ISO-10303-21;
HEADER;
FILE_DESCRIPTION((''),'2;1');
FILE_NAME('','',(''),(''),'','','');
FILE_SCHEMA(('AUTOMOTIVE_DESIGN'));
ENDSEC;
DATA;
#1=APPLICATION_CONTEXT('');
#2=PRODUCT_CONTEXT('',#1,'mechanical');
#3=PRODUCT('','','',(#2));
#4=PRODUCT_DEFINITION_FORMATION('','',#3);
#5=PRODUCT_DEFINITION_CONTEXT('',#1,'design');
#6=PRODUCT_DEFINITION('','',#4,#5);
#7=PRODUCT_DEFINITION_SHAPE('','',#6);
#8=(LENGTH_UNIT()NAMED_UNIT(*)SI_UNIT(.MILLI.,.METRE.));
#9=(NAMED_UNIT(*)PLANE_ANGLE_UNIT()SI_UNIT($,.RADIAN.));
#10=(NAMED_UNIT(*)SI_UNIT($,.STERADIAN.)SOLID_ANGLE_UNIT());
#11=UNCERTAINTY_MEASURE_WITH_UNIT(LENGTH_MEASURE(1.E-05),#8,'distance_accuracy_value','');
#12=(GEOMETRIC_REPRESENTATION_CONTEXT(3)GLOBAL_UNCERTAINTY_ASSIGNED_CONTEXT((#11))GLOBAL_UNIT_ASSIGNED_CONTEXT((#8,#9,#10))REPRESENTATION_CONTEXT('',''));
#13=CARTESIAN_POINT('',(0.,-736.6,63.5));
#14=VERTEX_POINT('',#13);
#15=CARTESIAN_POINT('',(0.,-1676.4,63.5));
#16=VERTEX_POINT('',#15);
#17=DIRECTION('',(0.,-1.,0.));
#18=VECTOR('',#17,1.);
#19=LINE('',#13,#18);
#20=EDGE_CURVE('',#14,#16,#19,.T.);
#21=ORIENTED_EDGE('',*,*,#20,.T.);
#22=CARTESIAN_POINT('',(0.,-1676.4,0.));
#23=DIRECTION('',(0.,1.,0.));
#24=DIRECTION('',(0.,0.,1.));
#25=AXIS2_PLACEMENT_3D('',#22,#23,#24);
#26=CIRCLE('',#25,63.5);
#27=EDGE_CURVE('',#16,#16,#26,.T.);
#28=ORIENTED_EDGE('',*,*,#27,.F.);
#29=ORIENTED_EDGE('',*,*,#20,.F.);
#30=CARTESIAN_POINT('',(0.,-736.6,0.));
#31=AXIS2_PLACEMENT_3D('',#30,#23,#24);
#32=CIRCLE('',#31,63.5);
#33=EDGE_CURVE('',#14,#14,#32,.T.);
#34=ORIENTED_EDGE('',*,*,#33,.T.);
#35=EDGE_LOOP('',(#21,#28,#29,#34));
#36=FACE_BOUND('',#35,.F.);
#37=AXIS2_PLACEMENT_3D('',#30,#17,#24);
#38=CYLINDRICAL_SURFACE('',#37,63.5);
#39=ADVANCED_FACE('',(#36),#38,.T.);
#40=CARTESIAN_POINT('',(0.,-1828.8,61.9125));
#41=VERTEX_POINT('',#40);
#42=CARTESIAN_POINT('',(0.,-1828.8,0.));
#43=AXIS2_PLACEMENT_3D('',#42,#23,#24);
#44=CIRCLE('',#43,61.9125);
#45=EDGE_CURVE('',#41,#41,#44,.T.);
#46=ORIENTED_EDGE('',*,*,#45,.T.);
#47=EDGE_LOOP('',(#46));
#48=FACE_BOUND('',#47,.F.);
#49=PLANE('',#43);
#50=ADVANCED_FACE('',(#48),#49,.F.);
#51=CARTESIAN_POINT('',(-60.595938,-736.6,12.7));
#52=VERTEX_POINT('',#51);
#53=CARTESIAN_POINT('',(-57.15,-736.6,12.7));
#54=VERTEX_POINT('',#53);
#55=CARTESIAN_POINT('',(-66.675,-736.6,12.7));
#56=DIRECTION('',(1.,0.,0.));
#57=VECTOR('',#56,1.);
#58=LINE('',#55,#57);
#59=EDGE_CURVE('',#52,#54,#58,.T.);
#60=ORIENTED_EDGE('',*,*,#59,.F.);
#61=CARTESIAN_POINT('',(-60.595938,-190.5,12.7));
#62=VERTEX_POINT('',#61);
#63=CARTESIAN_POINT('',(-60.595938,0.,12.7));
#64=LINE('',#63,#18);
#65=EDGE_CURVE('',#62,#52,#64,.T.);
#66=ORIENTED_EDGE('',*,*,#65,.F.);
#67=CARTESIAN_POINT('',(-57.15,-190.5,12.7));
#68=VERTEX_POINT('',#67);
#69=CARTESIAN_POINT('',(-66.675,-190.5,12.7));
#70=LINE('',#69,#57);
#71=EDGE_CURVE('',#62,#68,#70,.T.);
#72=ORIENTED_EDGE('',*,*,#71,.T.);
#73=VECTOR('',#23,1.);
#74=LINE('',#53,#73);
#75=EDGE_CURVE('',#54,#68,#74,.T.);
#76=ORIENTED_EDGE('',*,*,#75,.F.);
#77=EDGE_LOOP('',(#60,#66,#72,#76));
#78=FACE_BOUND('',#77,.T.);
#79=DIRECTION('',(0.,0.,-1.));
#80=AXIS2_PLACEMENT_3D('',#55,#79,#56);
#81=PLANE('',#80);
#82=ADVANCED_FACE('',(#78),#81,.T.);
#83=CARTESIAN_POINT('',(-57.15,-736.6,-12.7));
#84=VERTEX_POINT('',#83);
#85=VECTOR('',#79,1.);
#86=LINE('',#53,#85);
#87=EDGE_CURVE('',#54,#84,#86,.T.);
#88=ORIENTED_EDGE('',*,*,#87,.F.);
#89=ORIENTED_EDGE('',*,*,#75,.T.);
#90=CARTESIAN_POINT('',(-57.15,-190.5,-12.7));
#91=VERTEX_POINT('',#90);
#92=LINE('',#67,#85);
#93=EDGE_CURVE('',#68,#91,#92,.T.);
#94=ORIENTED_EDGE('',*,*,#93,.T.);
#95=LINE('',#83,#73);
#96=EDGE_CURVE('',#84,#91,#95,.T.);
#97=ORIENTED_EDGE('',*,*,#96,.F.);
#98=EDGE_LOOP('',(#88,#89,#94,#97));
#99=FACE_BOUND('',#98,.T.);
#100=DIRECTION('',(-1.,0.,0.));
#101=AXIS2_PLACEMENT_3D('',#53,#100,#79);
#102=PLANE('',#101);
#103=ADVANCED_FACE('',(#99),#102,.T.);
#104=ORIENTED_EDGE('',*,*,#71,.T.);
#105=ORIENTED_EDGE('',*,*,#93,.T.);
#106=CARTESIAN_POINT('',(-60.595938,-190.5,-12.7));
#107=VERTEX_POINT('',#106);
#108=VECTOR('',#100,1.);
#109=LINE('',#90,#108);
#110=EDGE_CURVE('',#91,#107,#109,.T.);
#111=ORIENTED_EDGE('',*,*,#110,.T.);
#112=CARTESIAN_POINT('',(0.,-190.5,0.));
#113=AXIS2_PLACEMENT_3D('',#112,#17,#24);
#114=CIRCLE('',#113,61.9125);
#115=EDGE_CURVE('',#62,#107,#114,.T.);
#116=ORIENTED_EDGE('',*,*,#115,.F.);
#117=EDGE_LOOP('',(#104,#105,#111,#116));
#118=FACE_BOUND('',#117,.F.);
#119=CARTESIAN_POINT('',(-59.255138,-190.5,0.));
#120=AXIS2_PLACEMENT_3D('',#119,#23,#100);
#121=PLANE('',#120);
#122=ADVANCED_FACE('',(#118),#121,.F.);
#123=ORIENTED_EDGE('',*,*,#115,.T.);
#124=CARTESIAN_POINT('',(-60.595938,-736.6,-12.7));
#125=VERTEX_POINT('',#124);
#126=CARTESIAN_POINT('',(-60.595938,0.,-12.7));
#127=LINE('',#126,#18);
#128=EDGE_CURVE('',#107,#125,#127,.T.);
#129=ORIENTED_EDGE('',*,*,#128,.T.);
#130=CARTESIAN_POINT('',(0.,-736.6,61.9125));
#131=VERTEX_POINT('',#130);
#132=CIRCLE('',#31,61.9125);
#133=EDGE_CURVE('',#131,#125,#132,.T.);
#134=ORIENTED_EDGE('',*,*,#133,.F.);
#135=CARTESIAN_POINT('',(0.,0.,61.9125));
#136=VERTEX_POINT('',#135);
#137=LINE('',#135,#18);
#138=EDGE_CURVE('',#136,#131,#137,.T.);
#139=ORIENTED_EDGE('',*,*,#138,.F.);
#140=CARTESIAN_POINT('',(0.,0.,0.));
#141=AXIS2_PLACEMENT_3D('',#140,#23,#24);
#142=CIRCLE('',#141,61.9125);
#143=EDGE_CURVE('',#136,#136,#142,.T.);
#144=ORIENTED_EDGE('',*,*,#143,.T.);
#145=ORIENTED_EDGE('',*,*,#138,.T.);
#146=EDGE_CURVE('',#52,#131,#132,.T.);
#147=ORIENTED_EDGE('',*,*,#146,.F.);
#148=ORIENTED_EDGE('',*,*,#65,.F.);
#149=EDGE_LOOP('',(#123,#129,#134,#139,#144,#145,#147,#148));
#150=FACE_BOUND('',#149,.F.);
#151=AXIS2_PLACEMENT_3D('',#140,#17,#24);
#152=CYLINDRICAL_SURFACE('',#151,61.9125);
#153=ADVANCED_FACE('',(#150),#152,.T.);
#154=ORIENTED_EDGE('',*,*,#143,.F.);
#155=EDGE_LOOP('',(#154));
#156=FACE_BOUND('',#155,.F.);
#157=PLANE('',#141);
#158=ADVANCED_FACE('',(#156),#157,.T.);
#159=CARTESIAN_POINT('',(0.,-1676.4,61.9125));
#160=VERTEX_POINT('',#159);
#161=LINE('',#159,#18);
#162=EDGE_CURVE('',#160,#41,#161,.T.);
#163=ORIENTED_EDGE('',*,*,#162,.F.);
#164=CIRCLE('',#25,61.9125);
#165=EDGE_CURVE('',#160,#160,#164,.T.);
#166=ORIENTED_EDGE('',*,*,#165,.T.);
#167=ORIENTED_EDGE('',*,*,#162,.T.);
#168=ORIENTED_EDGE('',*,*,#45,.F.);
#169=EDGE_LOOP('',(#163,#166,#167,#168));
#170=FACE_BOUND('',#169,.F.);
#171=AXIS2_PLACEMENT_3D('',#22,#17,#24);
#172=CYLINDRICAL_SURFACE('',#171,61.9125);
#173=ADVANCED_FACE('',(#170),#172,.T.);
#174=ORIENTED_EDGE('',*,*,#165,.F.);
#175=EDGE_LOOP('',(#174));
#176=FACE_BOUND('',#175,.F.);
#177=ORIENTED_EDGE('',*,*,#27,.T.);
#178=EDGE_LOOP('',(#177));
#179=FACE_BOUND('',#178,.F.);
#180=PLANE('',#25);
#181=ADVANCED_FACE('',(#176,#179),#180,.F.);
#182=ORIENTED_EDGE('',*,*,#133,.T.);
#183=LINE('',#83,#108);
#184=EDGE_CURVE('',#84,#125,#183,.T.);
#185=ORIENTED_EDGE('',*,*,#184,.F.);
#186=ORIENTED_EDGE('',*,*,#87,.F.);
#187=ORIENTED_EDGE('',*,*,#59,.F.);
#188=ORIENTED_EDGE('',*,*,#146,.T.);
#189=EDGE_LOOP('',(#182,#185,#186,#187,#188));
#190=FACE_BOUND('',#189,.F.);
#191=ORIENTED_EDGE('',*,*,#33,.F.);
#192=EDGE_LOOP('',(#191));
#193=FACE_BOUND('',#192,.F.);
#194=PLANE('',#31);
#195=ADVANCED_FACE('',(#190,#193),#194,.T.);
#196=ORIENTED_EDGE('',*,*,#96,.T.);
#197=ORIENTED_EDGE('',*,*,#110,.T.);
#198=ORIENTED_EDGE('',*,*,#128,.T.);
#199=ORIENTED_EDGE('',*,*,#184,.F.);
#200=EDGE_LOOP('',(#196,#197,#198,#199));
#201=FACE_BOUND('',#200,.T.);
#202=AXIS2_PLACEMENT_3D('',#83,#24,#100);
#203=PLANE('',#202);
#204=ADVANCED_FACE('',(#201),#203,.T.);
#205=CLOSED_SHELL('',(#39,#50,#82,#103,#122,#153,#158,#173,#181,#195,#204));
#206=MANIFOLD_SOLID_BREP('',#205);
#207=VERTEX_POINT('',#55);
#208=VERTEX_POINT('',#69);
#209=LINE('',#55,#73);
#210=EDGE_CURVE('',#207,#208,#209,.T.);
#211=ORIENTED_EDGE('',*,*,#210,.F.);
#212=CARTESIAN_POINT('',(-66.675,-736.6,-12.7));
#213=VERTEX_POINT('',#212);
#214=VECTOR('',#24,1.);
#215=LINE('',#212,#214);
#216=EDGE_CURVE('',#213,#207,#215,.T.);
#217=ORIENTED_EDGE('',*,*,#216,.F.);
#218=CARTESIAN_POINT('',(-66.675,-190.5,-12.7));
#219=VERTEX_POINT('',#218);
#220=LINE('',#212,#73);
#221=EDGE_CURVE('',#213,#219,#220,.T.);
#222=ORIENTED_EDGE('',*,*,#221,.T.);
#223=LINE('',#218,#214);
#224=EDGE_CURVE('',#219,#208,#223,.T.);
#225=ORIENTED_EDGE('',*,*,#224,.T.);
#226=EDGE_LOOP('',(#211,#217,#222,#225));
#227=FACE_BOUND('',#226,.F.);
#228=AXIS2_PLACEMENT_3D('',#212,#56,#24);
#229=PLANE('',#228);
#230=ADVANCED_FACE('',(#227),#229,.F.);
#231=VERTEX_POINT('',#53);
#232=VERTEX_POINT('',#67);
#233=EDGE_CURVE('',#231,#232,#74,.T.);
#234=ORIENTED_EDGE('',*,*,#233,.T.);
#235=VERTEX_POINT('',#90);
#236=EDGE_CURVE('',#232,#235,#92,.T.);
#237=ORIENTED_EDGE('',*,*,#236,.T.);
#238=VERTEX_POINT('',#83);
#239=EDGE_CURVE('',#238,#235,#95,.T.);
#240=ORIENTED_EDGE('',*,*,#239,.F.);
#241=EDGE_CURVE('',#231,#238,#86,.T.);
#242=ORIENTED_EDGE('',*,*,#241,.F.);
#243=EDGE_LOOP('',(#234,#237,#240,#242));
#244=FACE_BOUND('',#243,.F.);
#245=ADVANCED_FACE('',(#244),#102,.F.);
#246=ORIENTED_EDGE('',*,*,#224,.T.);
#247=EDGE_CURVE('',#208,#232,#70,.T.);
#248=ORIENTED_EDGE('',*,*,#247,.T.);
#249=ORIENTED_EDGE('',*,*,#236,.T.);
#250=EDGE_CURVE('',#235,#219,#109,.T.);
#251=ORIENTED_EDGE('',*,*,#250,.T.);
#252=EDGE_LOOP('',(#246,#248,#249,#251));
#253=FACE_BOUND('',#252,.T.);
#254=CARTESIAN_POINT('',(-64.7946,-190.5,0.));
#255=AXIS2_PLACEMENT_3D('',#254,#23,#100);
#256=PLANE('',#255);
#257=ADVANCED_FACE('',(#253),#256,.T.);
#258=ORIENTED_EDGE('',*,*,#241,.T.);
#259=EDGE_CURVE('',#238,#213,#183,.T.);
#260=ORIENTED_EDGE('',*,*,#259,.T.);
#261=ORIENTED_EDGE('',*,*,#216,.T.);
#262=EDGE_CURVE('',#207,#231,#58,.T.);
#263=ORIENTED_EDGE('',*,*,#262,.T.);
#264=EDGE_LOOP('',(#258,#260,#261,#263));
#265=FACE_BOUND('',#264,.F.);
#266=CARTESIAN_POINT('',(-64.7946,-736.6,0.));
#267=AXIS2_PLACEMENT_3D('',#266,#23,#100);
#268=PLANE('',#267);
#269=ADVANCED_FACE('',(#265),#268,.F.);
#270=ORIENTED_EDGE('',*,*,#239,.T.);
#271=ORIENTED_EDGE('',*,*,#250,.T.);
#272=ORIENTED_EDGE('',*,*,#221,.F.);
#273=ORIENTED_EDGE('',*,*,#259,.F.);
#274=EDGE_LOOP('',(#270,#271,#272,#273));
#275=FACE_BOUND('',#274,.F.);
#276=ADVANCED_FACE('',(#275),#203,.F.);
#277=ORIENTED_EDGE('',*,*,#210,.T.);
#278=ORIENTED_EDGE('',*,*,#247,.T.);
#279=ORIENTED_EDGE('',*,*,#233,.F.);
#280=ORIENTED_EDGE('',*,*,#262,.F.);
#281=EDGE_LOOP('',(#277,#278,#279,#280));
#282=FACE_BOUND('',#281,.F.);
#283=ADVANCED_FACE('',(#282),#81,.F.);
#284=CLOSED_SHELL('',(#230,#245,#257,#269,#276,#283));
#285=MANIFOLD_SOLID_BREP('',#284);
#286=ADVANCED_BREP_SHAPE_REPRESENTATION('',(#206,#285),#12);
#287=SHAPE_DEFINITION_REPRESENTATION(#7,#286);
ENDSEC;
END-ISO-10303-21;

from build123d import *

# Parameters (mm, degrees)
F3_DEPTH = 546.1
F4_DEPTH = 546.1


with BuildPart() as f1:
    # F0 (on Right) → F1 (revolve)
    with BuildSketch(Plane.YZ):
        Polygon((-1828.8, 0), (0, 0), (0, 61.9125), (-736.6, 61.9125), (-736.6, 63.5), (-1676.4, 63.5), (-1676.4, 61.9125), (-1828.8, 61.9125), align=None)
    revolve(axis=Axis((0, 13.9595033184, 0), (0, 1, 0)))

    # F2 (on face) → F3 (cut)
    with BuildSketch(Plane(origin=(0, -736.6, 0), x_dir=(-1, 0, 0), z_dir=(0, 1, 0))):
        with BuildLine():
            Line((60.5959376217, 12.7), (57.15, 12.7))
            Line((57.15, 12.7), (57.15, -12.7))
            Line((57.15, -12.7), (60.5959376217, -12.7))
            ThreePointArc((60.5959376217, -12.7), (61.5824798309, -6.3840296149), (61.9125, 0))
            ThreePointArc((61.9125, 0), (61.5824798309, 6.3840296149), (60.5959376217, 12.7))
        make_face()
        with BuildLine():
            Line((62.2170394667, 12.7), (60.5959376217, 12.7))
            ThreePointArc((60.5959376217, 12.7), (61.5824798309, 6.3840296149), (61.9125, 0))
            ThreePointArc((61.9125, 0), (61.5824798309, -6.3840296149), (60.5959376217, -12.7))
            Line((60.5959376217, -12.7), (62.2170394667, -12.7))
            ThreePointArc((62.2170394667, -12.7), (63.1784457158, -6.3823190873), (63.5, 0))
            ThreePointArc((63.5, 0), (63.1784457158, 6.3823190873), (62.2170394667, 12.7))
        make_face()
        with BuildLine():
            Line((66.675, 12.7), (62.2170394667, 12.7))
            ThreePointArc((62.2170394667, 12.7), (63.1784457158, 6.3823190873), (63.5, 0))
            ThreePointArc((63.5, 0), (63.1784457158, -6.3823190873), (62.2170394667, -12.7))
            Line((62.2170394667, -12.7), (66.675, -12.7))
            Line((66.675, -12.7), (66.675, 12.7))
        make_face()
    extrude(amount=F3_DEPTH, mode=Mode.SUBTRACT)


with BuildPart() as f4:
    # F2 (on face) → F4 (new body)
    with BuildSketch(Plane(origin=(0, -736.6, 0), x_dir=(-1, 0, 0), z_dir=(0, 1, 0))):
        with BuildLine():
            Line((66.675, 12.7), (62.2170394667, 12.7))
            ThreePointArc((62.2170394667, 12.7), (63.1784457158, 6.3823190873), (63.5, 0))
            ThreePointArc((63.5, 0), (63.1784457158, -6.3823190873), (62.2170394667, -12.7))
            Line((62.2170394667, -12.7), (66.675, -12.7))
            Line((66.675, -12.7), (66.675, 12.7))
        make_face()
        with BuildLine():
            Line((60.5959376217, 12.7), (57.15, 12.7))
            Line((57.15, 12.7), (57.15, -12.7))
            Line((57.15, -12.7), (60.5959376217, -12.7))
            ThreePointArc((60.5959376217, -12.7), (61.5824798309, -6.3840296149), (61.9125, 0))
            ThreePointArc((61.9125, 0), (61.5824798309, 6.3840296149), (60.5959376217, 12.7))
        make_face()
        with BuildLine():
            Line((62.2170394667, 12.7), (60.5959376217, 12.7))
            ThreePointArc((60.5959376217, 12.7), (61.5824798309, 6.3840296149), (61.9125, 0))
            ThreePointArc((61.9125, 0), (61.5824798309, -6.3840296149), (60.5959376217, -12.7))
            Line((60.5959376217, -12.7), (62.2170394667, -12.7))
            ThreePointArc((62.2170394667, -12.7), (63.1784457158, -6.3823190873), (63.5, 0))
            ThreePointArc((63.5, 0), (63.1784457158, 6.3823190873), (62.2170394667, 12.7))
        make_face()
    extrude(amount=F4_DEPTH)


solid = Compound([f1.part, f4.part])
